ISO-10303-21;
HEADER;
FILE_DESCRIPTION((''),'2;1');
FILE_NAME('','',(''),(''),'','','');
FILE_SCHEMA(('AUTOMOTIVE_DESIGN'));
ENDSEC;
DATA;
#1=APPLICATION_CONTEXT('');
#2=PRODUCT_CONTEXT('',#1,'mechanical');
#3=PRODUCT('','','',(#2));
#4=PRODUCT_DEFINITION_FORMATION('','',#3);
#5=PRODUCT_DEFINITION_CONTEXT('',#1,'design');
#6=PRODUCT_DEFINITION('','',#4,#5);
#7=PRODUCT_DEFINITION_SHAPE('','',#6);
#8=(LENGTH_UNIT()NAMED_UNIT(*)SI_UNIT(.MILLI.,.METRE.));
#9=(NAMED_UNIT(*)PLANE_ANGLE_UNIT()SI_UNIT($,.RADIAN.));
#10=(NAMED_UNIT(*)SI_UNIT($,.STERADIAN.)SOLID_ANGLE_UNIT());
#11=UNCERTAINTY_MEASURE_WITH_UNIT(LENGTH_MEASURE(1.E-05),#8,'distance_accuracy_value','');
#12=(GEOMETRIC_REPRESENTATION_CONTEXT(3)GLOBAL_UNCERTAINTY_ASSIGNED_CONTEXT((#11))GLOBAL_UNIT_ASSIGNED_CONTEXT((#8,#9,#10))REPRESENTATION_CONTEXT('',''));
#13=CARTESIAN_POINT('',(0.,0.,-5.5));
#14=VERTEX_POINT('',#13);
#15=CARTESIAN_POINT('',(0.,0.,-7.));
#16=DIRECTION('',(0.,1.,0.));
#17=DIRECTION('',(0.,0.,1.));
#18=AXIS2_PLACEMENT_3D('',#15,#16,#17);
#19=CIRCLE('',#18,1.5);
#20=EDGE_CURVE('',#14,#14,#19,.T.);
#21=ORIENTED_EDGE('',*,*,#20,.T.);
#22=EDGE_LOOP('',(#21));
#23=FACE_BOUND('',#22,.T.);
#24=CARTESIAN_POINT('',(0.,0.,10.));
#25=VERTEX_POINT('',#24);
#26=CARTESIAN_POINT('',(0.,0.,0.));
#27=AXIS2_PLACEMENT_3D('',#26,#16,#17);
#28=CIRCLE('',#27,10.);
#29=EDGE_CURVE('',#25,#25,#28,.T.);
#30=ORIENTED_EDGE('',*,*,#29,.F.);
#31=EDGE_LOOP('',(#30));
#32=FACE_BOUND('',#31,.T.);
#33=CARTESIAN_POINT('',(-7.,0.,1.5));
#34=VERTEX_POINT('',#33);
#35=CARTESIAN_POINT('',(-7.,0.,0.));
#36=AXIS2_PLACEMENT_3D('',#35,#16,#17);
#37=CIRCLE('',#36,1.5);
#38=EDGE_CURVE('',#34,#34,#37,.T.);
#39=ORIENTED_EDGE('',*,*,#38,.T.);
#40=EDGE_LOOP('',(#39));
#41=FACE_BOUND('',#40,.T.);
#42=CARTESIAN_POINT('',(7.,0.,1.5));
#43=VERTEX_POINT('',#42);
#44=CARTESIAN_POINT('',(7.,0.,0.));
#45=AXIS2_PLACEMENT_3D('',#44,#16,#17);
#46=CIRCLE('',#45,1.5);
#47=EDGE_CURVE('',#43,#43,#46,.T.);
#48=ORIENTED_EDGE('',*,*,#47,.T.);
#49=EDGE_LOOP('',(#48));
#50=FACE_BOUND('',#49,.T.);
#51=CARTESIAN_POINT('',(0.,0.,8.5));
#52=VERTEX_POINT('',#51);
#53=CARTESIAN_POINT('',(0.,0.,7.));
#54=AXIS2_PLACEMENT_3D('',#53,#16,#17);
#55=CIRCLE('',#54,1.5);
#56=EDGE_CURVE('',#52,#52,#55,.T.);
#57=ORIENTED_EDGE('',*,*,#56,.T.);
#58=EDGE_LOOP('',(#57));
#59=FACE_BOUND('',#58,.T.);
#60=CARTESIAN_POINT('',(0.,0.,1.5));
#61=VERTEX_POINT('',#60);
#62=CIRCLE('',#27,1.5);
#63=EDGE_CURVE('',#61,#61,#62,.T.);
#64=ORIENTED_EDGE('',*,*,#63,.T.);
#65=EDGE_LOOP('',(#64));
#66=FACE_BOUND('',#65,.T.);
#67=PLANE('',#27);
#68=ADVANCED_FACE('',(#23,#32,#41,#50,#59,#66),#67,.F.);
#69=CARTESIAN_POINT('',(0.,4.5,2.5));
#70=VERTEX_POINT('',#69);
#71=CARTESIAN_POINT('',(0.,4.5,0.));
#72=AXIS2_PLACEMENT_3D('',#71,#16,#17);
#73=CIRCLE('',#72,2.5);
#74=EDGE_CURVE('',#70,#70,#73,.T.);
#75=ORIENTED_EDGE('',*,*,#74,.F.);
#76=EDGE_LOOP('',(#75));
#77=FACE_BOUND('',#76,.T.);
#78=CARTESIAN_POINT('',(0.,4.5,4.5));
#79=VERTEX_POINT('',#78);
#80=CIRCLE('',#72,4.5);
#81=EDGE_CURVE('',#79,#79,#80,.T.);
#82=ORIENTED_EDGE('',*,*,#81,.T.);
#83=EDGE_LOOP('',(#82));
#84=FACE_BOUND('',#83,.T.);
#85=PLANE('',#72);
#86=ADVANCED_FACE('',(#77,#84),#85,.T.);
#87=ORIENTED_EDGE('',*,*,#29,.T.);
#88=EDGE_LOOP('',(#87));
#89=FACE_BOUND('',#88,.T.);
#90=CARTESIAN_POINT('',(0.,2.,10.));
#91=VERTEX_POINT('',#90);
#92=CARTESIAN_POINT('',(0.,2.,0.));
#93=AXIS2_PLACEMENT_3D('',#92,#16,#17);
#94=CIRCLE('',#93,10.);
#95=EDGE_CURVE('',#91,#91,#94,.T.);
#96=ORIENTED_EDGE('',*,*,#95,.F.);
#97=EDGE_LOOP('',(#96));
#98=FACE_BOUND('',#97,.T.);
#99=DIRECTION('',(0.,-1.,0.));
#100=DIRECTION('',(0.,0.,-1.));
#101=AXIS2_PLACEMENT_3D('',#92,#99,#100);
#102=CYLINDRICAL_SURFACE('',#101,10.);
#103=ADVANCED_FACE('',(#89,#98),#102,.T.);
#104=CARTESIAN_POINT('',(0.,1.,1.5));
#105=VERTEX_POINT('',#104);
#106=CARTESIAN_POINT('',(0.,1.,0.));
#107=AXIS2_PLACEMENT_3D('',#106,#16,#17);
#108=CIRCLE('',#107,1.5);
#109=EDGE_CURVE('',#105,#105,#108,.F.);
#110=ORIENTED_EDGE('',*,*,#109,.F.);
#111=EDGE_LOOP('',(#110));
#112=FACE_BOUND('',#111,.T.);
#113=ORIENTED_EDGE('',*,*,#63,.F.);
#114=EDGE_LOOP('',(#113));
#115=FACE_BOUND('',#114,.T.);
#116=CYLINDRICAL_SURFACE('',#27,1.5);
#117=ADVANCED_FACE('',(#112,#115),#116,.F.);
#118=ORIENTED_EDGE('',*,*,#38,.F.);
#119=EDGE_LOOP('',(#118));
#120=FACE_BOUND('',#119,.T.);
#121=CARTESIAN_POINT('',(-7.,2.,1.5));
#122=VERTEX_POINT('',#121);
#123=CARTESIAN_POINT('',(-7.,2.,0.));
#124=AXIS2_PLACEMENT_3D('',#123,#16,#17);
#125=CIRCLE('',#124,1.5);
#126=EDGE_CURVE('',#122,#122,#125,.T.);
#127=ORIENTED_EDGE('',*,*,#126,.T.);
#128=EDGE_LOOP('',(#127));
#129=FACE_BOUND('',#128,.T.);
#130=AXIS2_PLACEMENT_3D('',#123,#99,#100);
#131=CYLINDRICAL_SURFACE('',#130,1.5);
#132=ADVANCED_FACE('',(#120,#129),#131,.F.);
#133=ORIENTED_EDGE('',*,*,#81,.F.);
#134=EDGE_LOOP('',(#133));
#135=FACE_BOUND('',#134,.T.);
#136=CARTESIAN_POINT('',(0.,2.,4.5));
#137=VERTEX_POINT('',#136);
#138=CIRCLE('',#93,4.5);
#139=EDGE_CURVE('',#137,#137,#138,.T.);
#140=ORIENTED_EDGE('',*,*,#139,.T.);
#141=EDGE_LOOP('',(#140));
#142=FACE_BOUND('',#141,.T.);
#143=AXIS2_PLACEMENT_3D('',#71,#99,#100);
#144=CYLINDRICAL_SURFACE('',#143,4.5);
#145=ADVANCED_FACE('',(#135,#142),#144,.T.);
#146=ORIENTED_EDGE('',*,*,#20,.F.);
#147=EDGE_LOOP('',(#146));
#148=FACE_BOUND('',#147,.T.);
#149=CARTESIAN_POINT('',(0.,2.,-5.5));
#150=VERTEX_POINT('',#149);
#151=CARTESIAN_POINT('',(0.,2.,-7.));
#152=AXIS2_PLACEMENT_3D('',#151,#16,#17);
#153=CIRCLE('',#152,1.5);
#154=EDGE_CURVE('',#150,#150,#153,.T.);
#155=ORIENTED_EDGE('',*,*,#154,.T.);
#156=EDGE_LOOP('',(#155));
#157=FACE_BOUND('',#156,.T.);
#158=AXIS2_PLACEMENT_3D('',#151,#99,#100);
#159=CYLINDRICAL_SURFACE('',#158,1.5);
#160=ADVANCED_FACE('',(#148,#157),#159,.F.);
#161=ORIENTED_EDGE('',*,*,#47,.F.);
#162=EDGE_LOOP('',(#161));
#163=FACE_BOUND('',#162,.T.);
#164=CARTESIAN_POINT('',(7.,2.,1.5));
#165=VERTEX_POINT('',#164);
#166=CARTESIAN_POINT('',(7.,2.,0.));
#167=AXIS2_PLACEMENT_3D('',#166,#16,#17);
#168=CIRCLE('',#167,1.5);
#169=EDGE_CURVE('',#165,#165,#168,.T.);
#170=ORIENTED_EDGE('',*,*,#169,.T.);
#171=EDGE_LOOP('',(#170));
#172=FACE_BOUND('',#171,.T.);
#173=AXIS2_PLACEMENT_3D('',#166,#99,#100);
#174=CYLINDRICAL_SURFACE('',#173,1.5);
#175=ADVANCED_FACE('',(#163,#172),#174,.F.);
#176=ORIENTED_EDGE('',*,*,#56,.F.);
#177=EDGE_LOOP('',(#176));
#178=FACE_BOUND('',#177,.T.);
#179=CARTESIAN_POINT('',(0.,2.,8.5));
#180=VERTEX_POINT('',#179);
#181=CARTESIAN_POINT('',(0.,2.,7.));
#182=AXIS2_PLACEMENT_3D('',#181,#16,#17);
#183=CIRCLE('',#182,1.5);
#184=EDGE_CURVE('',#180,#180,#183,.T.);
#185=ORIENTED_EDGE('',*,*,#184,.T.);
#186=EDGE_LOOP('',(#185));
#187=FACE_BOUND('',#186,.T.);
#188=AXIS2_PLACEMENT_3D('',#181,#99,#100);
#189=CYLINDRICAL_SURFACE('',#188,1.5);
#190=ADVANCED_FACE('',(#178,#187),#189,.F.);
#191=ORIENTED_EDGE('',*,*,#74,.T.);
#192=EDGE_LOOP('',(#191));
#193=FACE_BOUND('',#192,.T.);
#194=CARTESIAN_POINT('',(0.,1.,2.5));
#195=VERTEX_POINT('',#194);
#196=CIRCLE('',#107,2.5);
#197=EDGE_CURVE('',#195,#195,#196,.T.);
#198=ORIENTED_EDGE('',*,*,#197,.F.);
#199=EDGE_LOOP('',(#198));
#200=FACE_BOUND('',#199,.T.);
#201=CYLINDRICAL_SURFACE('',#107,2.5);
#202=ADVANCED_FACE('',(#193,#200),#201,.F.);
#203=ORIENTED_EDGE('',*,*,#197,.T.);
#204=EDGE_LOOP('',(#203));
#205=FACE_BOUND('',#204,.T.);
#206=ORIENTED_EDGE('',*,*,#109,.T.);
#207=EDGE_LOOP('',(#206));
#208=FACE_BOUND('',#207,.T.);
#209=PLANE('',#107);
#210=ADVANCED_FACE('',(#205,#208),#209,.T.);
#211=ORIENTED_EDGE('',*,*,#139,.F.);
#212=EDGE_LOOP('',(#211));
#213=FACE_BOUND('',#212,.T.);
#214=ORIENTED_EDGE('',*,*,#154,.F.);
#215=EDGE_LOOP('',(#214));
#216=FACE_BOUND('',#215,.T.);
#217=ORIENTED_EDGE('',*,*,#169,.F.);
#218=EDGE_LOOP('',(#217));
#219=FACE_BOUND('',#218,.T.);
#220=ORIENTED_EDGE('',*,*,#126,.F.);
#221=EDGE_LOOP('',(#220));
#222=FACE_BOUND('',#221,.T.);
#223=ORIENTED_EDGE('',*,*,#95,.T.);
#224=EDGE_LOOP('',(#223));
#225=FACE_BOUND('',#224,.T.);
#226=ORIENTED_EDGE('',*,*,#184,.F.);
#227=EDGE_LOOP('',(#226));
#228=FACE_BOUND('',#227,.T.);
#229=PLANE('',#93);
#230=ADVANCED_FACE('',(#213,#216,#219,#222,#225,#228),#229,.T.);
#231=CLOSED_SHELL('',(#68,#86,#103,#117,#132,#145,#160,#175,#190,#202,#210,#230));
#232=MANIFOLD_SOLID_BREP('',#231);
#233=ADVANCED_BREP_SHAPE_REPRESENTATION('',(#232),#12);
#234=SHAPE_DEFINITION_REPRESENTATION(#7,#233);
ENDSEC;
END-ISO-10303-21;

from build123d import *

# Parameters (mm, degrees)
SKETCH_1_R          = 10
SKETCH_1_R_2        = 1.5
EXTRUDE_1_DEPTH     = 2
SKETCH_2_R          = 4.5
EXTRUDE_2_DEPTH     = 2.5
SKETCH_3_R          = 1.5
CUT_EXTRUDE_1_DEPTH = 15.84082208
SKETCH_4_R          = 2.5
CUT_EXTRUDE_2_DEPTH = 3.5


with BuildPart() as part:
    # 草图1 → 凸台-拉伸1 (new body)
    with BuildSketch(Plane(origin=(0, 0, 0), x_dir=(1, 0, 0), z_dir=(0, 1, 0))):
        with Locations(Location((0, 0, 0), (0, 0, 270))):
            Circle(SKETCH_1_R)
        with Locations(Location((0, 7, 0), (0, 0, 270))):
            Circle(SKETCH_1_R_2, mode=Mode.SUBTRACT)
        with Locations(Location((7, 0, 0), (0, 0, 270))):
            Circle(SKETCH_1_R_2, mode=Mode.SUBTRACT)
        with Locations(Location((0, -7, 0), (0, 0, 270))):
            Circle(SKETCH_1_R_2, mode=Mode.SUBTRACT)
        with Locations(Location((-7, 0, 0), (0, 0, 270))):
            Circle(SKETCH_1_R_2, mode=Mode.SUBTRACT)
    extrude(amount=EXTRUDE_1_DEPTH)

    # 草图2 → 凸台-拉伸2 (add)
    with BuildSketch(Plane(origin=(0, 2, 0), x_dir=(1, 0, 0), z_dir=(0, 1, 0))):
        with Locations(Location((0, 0, 0), (0, 0, 270))):
            Circle(SKETCH_2_R)
    extrude(amount=EXTRUDE_2_DEPTH)

    # 草图3 → 切除-拉伸1 (cut, through all)
    with BuildSketch(Plane(origin=(0, 4.5, 0), x_dir=(1, 0, 0), z_dir=(0, 1, 0))):
        with Locations(Location((0, 0, 0), (0, 0, 270))):
            Circle(SKETCH_3_R)
    extrude(amount=-CUT_EXTRUDE_1_DEPTH, mode=Mode.SUBTRACT)

    # 草图4 → 切除-拉伸2 (cut)
    with BuildSketch(Plane(origin=(0, 4.5, 0), x_dir=(1, 0, 0), z_dir=(0, 1, 0))):
        with Locations(Location((0, 0, 0), (0, 0, 270))):
            Circle(SKETCH_4_R)
    extrude(amount=-CUT_EXTRUDE_2_DEPTH, mode=Mode.SUBTRACT)


solid = part.part
